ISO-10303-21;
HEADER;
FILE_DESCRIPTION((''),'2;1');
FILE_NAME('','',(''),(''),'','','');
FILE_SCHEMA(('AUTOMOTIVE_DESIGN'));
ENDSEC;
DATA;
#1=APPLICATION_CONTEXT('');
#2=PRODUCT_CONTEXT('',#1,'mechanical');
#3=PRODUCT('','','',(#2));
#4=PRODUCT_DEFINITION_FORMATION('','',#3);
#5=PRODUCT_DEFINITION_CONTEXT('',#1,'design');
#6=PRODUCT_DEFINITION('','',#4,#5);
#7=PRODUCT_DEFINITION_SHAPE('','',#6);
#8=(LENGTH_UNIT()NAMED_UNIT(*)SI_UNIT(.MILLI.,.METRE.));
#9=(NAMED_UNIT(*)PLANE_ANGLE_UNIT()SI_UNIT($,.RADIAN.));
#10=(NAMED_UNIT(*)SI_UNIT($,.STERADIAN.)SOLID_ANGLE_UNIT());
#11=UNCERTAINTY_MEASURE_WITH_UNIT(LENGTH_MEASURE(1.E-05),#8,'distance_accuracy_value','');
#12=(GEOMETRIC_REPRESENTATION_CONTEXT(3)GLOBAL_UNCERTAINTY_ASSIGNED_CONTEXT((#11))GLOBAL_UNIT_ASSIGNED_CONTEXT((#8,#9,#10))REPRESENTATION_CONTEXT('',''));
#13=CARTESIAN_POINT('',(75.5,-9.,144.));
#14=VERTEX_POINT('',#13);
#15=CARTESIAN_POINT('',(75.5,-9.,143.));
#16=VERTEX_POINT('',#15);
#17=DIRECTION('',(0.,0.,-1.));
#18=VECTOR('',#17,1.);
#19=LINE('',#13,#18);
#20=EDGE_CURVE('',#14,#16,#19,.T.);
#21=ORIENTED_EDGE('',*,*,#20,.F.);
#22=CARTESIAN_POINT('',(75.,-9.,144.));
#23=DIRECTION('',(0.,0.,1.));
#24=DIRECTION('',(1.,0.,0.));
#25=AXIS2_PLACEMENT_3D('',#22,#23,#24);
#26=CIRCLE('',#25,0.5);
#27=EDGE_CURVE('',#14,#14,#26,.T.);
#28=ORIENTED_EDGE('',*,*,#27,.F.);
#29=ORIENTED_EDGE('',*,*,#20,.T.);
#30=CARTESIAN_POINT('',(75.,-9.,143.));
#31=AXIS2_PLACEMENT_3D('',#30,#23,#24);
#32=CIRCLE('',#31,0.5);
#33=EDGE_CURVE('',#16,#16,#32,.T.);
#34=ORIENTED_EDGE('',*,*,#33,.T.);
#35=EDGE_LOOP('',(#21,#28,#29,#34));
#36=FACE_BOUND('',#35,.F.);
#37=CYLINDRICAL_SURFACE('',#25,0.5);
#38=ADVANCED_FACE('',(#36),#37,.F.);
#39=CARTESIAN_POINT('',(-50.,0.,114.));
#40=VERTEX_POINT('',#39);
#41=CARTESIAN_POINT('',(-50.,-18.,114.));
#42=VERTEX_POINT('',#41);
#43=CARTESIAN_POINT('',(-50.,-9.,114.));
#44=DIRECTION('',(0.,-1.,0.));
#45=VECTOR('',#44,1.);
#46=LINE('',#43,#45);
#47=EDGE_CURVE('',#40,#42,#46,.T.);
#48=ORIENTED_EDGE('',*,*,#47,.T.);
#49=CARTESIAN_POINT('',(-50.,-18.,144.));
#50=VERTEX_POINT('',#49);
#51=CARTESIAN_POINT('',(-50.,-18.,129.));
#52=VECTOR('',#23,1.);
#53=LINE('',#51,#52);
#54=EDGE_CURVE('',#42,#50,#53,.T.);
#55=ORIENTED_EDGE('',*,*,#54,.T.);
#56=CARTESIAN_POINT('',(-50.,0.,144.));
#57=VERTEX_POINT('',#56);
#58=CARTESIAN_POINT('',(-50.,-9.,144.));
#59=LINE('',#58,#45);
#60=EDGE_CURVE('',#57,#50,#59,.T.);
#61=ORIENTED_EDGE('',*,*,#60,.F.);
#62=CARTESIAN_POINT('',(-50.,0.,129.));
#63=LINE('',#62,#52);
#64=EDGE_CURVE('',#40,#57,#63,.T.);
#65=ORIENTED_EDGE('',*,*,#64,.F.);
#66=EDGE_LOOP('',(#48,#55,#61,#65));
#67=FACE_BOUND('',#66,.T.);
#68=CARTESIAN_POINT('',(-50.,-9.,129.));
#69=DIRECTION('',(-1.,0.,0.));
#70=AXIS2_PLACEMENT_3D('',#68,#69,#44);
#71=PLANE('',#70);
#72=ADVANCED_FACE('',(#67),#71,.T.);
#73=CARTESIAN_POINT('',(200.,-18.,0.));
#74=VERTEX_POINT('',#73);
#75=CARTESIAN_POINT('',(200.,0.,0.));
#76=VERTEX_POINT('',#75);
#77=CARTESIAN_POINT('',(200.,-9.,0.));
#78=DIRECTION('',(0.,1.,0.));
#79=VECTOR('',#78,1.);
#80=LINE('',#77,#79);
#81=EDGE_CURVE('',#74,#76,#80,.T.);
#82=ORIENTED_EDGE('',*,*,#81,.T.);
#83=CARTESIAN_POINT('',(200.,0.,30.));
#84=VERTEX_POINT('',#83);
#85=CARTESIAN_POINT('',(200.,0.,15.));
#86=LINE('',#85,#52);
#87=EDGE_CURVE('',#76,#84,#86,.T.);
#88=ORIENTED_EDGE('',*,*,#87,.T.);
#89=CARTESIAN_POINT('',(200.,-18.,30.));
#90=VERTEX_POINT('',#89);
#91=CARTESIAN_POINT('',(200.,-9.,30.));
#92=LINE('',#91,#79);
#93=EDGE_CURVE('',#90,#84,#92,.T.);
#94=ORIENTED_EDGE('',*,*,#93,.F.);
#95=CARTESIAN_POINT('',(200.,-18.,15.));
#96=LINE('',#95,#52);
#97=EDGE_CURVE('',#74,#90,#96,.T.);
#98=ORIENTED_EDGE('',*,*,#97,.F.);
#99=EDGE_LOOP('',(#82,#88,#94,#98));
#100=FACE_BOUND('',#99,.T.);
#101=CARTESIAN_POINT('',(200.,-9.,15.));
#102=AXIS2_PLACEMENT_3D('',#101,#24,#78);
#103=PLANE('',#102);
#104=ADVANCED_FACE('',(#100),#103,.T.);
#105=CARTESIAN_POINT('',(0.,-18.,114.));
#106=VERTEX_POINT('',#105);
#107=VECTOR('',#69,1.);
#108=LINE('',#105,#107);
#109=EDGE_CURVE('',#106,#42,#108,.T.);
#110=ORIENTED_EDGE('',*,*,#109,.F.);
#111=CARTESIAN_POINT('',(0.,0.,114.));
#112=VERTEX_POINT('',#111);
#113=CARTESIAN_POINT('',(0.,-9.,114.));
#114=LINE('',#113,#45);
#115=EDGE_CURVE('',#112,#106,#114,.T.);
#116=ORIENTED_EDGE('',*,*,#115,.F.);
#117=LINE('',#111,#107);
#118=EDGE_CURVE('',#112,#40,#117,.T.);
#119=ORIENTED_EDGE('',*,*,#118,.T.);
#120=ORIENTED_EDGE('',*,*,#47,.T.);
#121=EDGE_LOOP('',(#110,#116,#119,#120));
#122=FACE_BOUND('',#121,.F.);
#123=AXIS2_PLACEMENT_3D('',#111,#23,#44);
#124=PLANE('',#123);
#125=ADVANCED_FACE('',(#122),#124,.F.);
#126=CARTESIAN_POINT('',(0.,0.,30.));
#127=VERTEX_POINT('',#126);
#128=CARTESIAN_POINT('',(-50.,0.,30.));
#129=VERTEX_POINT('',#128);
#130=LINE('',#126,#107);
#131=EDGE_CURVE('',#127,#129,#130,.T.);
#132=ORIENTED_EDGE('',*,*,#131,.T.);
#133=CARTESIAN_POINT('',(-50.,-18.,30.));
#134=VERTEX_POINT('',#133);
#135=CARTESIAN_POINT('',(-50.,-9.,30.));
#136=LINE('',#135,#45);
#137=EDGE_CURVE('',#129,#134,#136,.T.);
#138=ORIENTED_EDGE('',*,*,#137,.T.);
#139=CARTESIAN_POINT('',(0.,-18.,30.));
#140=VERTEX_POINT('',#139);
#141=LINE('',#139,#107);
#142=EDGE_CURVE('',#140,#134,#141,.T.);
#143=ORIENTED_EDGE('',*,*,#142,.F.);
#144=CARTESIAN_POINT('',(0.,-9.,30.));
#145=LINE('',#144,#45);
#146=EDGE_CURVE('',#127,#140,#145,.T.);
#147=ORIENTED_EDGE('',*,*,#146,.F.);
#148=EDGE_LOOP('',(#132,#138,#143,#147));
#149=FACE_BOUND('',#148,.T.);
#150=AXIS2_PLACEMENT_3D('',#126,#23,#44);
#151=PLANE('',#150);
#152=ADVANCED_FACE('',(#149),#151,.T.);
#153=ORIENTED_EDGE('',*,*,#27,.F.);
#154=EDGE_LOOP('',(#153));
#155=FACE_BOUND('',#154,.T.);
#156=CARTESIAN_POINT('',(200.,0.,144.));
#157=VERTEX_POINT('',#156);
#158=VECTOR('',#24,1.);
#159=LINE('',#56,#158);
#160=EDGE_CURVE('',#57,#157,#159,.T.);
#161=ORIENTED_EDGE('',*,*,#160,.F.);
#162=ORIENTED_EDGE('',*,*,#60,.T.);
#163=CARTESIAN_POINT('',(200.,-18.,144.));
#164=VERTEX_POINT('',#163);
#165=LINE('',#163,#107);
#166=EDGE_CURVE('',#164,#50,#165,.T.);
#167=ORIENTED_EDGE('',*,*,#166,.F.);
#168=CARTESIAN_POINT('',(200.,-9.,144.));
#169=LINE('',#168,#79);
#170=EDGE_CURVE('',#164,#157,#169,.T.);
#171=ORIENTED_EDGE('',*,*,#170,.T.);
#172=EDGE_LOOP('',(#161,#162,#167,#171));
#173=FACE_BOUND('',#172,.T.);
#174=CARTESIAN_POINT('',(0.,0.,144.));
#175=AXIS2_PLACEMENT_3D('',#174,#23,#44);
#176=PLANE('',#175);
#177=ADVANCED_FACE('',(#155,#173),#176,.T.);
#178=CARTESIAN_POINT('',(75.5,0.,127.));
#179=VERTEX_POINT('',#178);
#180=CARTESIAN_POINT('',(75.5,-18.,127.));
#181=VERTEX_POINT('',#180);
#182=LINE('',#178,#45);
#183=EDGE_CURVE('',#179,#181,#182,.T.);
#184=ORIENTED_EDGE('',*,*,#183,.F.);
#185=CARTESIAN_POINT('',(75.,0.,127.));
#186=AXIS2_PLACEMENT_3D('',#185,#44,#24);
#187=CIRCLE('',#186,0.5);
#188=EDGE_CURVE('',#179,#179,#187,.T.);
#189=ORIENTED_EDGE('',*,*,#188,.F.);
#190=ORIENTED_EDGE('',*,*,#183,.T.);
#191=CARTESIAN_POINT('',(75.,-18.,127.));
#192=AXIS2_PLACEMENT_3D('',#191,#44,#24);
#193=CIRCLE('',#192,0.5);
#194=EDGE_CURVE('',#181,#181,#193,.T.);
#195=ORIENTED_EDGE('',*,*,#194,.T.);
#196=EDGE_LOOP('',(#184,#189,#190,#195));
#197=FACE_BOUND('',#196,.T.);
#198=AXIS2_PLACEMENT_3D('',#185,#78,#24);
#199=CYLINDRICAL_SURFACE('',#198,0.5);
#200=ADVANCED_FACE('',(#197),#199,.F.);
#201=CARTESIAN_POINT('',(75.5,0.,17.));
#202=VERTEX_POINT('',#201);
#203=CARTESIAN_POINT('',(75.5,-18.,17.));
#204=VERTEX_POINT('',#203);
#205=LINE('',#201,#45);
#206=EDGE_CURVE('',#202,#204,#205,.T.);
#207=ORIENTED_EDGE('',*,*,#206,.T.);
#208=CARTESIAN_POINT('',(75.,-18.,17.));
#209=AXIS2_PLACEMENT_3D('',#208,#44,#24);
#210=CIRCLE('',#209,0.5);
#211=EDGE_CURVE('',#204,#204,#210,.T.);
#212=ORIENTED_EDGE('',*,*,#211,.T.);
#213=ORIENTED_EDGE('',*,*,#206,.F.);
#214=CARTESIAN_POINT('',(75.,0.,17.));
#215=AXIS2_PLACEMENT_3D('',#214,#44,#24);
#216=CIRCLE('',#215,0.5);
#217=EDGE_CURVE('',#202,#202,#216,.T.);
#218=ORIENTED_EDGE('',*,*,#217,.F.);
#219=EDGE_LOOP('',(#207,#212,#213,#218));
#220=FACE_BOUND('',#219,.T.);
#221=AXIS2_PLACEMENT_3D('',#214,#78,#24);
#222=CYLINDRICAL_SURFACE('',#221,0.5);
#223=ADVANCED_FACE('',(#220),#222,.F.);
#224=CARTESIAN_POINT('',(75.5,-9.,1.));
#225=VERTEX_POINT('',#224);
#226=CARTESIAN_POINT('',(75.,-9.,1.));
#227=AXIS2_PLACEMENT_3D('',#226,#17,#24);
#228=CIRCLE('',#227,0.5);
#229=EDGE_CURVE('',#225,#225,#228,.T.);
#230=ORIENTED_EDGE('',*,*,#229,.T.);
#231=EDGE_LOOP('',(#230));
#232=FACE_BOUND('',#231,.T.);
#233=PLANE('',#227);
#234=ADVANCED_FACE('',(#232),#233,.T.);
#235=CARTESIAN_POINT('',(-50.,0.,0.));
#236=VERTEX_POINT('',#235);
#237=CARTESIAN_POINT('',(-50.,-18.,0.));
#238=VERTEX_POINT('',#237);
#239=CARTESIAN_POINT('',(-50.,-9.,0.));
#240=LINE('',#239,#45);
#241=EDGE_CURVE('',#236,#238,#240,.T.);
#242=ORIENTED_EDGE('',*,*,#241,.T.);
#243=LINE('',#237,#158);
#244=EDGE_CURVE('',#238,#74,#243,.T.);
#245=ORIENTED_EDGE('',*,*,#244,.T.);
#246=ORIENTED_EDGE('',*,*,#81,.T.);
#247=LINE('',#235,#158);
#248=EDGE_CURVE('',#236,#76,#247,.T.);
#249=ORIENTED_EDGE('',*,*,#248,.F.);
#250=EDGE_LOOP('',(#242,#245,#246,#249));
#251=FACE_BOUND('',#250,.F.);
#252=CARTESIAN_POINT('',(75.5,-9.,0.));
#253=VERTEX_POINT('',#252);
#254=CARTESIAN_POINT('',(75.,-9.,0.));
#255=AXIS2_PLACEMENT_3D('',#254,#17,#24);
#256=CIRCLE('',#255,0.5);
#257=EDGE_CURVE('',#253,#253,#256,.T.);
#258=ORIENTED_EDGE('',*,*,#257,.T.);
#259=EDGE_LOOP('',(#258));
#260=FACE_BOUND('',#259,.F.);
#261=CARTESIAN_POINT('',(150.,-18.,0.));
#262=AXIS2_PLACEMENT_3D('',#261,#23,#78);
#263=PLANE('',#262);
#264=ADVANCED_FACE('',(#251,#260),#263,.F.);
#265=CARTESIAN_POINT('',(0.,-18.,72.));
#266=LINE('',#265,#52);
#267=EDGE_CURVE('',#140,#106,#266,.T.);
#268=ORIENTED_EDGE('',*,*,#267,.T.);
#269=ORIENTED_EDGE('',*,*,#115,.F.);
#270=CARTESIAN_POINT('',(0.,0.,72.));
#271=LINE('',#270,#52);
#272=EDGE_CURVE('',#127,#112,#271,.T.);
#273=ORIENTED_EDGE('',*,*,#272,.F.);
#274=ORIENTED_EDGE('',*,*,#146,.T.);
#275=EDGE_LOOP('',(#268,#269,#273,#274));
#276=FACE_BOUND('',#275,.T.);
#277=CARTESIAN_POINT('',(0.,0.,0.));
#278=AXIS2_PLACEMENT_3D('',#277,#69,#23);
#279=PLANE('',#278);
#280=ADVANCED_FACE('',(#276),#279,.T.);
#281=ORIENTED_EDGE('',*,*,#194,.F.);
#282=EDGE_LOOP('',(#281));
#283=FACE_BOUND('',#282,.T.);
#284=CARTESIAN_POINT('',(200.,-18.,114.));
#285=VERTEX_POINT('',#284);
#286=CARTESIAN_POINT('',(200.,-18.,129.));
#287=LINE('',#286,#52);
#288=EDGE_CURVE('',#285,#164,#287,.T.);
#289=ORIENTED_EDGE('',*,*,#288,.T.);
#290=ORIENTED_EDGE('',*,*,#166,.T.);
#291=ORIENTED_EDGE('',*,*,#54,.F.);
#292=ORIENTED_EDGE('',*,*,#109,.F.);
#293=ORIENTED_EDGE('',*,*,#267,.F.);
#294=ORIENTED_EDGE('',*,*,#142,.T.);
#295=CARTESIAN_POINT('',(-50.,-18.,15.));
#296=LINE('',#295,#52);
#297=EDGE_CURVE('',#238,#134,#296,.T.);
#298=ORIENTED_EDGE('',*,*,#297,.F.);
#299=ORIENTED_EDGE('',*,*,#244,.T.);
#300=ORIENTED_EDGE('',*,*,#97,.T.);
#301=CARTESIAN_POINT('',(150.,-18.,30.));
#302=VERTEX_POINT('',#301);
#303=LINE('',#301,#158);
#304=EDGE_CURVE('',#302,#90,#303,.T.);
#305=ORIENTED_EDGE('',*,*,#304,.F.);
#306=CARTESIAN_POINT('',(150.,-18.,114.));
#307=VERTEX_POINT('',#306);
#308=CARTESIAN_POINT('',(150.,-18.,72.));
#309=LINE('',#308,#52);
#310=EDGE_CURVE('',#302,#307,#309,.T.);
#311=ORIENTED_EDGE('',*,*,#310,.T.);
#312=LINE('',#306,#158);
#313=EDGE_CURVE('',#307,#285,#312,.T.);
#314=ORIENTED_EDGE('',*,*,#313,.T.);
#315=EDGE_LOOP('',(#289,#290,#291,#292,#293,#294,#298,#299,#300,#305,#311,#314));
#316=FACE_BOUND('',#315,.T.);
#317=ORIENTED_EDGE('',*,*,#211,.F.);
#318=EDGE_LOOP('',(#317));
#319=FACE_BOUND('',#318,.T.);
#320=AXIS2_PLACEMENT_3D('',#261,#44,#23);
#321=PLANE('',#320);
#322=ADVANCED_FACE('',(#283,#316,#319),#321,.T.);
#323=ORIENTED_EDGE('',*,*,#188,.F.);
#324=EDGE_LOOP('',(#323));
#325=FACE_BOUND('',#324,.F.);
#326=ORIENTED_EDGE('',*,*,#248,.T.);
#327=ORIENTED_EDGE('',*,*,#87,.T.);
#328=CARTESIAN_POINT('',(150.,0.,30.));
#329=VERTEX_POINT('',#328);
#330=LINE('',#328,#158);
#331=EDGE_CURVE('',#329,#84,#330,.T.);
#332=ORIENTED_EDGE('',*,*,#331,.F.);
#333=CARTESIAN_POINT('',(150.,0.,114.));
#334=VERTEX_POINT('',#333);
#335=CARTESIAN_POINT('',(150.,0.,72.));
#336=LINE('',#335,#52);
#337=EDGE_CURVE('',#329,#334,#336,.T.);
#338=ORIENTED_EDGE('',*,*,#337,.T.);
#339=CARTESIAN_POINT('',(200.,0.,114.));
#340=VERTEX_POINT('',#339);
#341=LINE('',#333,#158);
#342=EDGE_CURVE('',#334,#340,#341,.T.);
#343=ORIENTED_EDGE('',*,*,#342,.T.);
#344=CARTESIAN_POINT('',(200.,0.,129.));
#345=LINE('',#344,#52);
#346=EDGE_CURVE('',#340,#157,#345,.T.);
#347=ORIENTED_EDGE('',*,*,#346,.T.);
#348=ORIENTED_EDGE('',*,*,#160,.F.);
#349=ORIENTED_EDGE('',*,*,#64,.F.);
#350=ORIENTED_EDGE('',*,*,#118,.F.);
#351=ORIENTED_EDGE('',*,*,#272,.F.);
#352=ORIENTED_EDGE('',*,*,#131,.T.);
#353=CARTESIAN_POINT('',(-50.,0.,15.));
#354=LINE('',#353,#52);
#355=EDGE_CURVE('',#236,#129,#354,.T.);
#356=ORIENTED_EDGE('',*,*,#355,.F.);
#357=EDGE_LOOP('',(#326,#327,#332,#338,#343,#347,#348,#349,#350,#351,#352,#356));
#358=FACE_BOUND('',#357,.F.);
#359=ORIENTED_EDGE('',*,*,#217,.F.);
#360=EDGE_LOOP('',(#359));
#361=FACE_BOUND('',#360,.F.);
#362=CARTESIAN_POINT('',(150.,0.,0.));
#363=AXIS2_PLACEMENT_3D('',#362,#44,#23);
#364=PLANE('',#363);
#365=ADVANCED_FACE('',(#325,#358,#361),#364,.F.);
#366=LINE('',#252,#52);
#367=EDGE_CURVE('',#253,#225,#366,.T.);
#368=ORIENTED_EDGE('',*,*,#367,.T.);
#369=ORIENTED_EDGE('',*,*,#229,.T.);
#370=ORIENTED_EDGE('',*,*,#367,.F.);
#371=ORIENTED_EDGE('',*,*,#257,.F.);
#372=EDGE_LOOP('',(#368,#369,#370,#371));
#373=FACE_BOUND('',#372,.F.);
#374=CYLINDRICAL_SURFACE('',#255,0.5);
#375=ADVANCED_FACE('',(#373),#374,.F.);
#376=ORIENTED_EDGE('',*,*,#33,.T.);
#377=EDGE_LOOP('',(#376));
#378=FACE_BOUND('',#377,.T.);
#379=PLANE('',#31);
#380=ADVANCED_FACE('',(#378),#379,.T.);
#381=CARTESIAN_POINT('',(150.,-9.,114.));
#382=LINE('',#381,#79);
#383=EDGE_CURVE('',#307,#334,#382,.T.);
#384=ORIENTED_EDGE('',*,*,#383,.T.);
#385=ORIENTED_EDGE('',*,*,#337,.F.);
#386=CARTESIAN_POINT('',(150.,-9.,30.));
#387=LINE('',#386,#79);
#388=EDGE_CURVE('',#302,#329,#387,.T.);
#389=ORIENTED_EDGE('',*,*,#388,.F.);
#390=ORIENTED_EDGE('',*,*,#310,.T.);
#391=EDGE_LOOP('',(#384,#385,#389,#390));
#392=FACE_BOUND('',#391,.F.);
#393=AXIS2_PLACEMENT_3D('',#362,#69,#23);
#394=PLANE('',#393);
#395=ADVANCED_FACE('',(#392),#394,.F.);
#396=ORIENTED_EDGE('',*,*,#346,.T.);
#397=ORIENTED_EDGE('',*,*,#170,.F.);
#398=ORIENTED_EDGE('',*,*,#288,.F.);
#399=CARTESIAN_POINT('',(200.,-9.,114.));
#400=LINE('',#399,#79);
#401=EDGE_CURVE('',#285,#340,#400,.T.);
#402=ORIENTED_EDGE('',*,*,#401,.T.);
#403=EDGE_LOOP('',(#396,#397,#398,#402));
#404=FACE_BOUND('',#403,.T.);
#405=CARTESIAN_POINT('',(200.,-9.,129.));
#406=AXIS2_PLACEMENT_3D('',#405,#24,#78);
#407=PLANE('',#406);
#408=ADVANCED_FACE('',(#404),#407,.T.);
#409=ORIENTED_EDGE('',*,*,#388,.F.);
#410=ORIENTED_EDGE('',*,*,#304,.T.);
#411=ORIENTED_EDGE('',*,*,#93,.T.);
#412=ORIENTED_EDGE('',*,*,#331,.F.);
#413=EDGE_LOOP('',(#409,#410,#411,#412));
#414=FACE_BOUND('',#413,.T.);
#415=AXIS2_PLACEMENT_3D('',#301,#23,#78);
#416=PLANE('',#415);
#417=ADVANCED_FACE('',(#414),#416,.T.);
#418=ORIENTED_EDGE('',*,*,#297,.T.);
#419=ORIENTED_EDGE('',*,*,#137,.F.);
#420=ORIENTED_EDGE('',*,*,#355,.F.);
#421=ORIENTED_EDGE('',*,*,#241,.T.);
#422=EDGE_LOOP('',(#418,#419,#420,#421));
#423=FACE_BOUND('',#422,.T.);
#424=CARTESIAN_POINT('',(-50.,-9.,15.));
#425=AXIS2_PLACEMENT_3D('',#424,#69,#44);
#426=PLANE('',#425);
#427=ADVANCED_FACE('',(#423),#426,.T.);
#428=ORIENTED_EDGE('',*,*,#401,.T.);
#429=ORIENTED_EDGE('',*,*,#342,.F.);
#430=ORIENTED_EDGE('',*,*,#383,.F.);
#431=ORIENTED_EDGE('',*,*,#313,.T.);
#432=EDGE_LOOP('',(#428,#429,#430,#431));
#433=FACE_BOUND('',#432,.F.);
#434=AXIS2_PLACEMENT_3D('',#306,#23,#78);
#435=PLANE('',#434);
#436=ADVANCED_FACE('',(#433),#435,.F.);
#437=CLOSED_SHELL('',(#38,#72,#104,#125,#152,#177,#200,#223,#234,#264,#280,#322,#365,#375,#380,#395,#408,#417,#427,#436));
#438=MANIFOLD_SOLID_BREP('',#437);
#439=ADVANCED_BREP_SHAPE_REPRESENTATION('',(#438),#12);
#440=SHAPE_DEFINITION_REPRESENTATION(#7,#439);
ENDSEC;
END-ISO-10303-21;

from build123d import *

# Parameters (mm, degrees)
F0_W     = 150
F0_H     = 144
F0_R     = 0.5
F1_DEPTH = 18
F2_R     = 0.5
F3_DEPTH = 1
F4_R     = 0.5
F5_DEPTH = 1
F6_W     = 18
F6_H     = 30
F7_DEPTH = 50
F8_W     = 18
F8_H     = 30
F9_DEPTH = 50


with BuildPart() as f1:
    # F0 (on Front) → F1 (new body)
    with BuildSketch(Plane.XZ):
        with Locations((75, 72)):
            Rectangle(F0_W, F0_H)
        with Locations((75, 17)):
            Circle(F0_R, mode=Mode.SUBTRACT)
        with Locations((75, 127)):
            Circle(F0_R, mode=Mode.SUBTRACT)
    extrude(amount=F1_DEPTH)

    # F2 (on face) → F3 (cut)
    with BuildSketch(Plane(origin=(0, 0, 0), x_dir=(1, 0, 0), z_dir=(0, 0, -1))):
        with Locations((75, 9)):
            Circle(F2_R)
    extrude(amount=-F3_DEPTH, mode=Mode.SUBTRACT)

    # F4 (on face) → F5 (cut)
    with BuildSketch(Plane.XY.offset(144)):
        with Locations((75, -9)):
            Circle(F4_R)
    extrude(amount=-F5_DEPTH, mode=Mode.SUBTRACT)

    # F6 (on face) → F7 (join)
    with BuildSketch(Plane(origin=(0, 0, 0), x_dir=(0, -1, 0), z_dir=(-1, 0, 0))):
        with Locations((9, 129)):
            Rectangle(F6_W, F6_H)
        with Locations((9, 15)):
            Rectangle(F6_W, F6_H)
    extrude(amount=F7_DEPTH)

    # F8 (on face) → F9 (join)
    with BuildSketch(Plane.YZ.offset(150)):
        with Locations((-9, 15)):
            Rectangle(F8_W, F8_H)
        with Locations((-9, 129)):
            Rectangle(F8_W, F8_H)
    extrude(amount=F9_DEPTH)


solid = f1.part
